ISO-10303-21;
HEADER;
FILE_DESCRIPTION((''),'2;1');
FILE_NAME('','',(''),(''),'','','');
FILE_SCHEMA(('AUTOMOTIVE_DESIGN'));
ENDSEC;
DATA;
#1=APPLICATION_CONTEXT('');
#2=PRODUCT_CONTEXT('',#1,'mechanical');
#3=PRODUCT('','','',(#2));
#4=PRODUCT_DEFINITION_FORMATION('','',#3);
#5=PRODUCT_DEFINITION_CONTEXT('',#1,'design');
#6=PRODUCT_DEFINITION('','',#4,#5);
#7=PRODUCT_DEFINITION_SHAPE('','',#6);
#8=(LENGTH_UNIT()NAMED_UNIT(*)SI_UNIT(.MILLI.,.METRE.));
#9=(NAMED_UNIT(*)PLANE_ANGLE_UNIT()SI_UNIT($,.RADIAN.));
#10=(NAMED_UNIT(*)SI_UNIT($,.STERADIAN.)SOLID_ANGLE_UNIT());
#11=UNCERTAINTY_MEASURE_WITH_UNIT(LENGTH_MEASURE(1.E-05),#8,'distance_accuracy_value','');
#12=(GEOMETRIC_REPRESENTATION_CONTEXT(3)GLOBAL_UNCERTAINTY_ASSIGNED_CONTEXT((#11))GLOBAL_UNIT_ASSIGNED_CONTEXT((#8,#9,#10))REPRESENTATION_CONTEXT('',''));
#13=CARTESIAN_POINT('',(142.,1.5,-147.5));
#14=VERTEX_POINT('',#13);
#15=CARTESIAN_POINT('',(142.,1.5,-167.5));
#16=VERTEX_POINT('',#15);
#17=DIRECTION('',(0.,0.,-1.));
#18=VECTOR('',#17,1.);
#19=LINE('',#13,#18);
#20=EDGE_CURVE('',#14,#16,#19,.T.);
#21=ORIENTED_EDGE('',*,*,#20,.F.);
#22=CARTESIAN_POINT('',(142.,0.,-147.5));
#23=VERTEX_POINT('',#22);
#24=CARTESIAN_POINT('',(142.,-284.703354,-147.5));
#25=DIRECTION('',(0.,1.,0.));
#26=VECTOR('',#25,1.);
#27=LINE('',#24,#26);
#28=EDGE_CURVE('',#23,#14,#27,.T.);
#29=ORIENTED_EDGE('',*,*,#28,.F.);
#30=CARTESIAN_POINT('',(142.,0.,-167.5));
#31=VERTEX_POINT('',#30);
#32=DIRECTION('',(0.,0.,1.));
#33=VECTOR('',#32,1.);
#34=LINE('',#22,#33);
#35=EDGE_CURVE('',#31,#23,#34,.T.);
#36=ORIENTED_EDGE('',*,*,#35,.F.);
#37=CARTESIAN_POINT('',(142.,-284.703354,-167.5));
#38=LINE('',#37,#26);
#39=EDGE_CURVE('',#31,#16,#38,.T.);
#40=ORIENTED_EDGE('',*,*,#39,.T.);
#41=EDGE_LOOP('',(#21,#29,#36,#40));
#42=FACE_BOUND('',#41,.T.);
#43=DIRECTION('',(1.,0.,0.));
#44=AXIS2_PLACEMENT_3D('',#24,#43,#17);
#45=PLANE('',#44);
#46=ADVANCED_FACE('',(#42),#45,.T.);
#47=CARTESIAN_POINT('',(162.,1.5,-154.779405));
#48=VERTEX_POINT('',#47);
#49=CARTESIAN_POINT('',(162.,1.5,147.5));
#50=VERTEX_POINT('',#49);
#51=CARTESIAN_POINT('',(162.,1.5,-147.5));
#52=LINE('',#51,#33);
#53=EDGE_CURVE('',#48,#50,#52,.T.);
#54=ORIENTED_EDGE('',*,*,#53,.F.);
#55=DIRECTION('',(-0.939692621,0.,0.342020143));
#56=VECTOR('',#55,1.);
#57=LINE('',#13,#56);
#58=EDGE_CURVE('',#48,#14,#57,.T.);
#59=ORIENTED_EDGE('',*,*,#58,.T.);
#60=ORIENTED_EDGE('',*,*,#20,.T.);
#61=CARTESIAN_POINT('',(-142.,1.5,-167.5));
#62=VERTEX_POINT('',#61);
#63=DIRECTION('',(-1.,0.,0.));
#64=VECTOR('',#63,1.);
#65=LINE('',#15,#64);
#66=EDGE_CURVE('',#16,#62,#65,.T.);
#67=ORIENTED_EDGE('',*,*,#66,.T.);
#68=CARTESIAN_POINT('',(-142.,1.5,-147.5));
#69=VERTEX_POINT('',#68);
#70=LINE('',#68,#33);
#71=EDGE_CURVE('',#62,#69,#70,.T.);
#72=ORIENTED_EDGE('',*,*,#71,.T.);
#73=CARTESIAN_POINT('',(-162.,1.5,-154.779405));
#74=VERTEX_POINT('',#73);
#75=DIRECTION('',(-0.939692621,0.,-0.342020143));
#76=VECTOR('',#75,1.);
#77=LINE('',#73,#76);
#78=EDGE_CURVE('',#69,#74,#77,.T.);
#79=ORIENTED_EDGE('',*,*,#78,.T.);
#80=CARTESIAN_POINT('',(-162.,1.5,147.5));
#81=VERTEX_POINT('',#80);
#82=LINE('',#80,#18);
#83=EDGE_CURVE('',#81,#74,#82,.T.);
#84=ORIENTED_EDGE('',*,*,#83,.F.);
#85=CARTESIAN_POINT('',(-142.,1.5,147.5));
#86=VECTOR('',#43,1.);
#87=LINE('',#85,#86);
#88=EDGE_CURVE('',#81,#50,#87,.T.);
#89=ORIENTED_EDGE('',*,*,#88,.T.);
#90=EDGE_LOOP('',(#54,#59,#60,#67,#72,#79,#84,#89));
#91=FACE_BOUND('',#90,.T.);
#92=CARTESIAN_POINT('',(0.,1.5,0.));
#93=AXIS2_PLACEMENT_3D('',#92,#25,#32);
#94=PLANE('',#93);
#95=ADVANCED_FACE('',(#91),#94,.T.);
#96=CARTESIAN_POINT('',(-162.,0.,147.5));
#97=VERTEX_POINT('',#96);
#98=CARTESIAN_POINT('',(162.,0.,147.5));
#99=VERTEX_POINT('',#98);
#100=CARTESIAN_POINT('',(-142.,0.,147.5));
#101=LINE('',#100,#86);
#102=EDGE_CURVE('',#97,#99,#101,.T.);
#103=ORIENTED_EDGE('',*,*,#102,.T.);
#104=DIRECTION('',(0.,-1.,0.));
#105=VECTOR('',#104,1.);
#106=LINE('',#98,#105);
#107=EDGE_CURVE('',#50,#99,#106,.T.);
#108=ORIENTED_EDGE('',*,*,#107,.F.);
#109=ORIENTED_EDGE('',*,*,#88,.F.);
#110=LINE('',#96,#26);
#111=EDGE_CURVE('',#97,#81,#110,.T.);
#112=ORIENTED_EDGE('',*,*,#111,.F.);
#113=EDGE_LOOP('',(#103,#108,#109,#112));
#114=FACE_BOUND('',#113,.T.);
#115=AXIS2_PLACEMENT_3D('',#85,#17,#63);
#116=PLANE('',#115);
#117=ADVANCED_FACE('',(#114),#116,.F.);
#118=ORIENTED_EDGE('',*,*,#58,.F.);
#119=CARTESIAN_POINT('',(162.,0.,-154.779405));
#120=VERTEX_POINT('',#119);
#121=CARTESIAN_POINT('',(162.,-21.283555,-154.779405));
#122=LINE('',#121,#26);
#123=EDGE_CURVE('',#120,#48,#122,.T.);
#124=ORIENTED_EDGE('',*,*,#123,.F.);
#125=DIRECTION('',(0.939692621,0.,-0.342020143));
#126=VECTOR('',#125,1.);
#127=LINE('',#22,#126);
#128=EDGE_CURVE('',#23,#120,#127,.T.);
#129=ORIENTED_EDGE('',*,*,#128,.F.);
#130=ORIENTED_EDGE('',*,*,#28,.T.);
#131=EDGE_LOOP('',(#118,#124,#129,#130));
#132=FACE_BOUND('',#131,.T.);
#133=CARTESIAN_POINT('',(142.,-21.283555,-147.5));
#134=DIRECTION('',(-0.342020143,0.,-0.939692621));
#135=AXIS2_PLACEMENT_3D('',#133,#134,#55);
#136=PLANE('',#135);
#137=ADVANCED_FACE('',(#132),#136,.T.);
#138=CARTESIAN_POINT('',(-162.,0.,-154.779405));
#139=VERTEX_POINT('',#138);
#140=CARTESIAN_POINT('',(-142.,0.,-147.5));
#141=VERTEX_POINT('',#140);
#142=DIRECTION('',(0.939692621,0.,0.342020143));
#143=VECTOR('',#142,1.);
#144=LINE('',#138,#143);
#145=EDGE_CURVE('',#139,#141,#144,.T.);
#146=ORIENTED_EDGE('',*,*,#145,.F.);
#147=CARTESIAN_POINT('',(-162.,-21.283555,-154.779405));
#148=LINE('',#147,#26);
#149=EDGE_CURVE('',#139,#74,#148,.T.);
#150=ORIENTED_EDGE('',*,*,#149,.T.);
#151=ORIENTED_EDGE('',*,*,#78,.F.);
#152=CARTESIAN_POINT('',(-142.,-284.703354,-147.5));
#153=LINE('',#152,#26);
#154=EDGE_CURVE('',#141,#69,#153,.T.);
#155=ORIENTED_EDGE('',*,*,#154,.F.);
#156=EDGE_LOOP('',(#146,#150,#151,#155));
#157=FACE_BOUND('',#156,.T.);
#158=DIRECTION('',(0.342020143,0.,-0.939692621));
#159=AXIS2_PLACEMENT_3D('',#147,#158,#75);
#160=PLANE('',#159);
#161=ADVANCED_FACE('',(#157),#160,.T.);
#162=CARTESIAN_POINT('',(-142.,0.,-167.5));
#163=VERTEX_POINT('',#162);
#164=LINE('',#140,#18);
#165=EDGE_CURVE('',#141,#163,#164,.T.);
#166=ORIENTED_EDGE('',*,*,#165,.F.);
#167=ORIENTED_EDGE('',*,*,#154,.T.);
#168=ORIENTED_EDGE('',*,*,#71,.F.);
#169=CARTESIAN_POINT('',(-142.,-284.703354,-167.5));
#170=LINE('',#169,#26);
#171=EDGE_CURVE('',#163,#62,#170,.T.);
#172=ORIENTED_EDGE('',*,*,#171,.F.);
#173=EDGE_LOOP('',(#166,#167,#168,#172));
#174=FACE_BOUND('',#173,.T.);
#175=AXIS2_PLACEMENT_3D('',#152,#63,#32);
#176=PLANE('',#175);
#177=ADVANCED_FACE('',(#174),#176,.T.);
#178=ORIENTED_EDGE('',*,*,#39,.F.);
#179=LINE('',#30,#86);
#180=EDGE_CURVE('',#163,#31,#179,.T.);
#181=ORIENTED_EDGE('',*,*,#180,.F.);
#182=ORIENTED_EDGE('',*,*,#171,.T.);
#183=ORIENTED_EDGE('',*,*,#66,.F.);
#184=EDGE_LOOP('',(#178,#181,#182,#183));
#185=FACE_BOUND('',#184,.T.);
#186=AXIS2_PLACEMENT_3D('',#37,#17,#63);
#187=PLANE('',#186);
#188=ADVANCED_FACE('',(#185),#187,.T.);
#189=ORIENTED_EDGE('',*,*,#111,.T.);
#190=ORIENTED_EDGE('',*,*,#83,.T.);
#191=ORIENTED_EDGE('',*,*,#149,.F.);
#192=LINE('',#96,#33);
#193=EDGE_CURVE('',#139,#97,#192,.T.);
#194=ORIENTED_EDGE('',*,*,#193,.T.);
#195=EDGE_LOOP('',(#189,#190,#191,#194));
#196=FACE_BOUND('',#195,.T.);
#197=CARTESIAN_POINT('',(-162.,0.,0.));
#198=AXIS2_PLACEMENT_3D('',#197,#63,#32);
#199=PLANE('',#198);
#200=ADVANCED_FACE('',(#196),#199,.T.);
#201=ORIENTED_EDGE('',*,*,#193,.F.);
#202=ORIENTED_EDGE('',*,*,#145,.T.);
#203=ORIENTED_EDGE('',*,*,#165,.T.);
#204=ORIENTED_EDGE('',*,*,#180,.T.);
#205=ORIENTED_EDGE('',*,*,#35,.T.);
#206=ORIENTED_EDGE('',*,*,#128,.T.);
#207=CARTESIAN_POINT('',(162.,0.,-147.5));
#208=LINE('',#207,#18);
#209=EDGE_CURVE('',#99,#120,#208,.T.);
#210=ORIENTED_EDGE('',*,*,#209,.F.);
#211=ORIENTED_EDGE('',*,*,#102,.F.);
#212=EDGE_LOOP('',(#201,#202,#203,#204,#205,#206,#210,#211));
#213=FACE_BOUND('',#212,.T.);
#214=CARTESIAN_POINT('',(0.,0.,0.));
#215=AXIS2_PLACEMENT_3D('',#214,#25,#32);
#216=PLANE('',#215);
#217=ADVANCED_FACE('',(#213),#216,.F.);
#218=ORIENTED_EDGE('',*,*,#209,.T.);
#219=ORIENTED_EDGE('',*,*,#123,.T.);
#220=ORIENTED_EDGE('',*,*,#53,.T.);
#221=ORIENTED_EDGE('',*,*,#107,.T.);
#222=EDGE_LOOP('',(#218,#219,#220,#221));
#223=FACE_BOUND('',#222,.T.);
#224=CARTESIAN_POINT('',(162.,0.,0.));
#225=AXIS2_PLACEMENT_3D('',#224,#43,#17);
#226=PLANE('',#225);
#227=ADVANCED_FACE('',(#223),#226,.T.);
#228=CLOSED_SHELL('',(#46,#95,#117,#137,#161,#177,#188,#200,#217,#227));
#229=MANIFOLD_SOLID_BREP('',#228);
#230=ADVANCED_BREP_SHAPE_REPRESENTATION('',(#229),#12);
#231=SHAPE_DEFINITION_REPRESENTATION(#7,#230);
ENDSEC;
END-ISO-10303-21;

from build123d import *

# Parameters (mm, degrees)
SKETCH1_W            = 284
SKETCH1_H            = 295
BOSS_EXTRUDE1_DEPTH  = 1.5
SKETCH9_W            = 295
SKETCH9_H            = 1.5
BOSS_EXTRUDE9_DEPTH  = 20
SKETCH10_W           = 295
SKETCH10_H           = 1.5
BOSS_EXTRUDE10_DEPTH = 20
SKETCH13_W           = 284
SKETCH13_H           = 20
BOSS_EXTRUDE11_DEPTH = 1.5
BOSS_EXTRUDE12_DEPTH = 1.5


with BuildPart() as part:
    # Sketch1 → Boss-Extrude1 (new body)
    with BuildSketch(Plane(origin=(0, 0, 0), x_dir=(1, 0, 0), z_dir=(0, 1, 0))):
        Rectangle(SKETCH1_W, SKETCH1_H)
    extrude(amount=BOSS_EXTRUDE1_DEPTH)

    # Sketch9 → Boss-Extrude9 (add)
    with BuildSketch(Plane.ZY.offset(142)):
        with Locations((0, 0.75)):
            Rectangle(SKETCH9_W, SKETCH9_H)
    extrude(amount=BOSS_EXTRUDE9_DEPTH)

    # Sketch10 → Boss-Extrude10 (add)
    with BuildSketch(Plane(origin=(142, 0, 0), x_dir=(0, 0, -1), z_dir=(1, 0, 0))):
        with Locations((0, 0.75)):
            Rectangle(SKETCH10_W, SKETCH10_H)
    extrude(amount=BOSS_EXTRUDE10_DEPTH)

    # Sketch13 → Boss-Extrude11 (add)
    with BuildSketch(Plane(origin=(0, 1.5, 0), x_dir=(1, 0, 0), z_dir=(0, 1, 0))):
        with Locations((0, 157.5)):
            Rectangle(SKETCH13_W, SKETCH13_H)
    extrude(amount=-BOSS_EXTRUDE11_DEPTH)

    # Sketch14 → Boss-Extrude12 (add)
    with BuildSketch(Plane(origin=(0, 1.5, 0), x_dir=(1, 0, 0), z_dir=(0, 1, 0))):
        Polygon((142, 147.5), (162, 154.779404685), (162, 147.5), align=None)
        Polygon((-142, 147.5), (-162, 147.5), (-162, 154.779404685), align=None)
    extrude(amount=-BOSS_EXTRUDE12_DEPTH)


solid = part.part
